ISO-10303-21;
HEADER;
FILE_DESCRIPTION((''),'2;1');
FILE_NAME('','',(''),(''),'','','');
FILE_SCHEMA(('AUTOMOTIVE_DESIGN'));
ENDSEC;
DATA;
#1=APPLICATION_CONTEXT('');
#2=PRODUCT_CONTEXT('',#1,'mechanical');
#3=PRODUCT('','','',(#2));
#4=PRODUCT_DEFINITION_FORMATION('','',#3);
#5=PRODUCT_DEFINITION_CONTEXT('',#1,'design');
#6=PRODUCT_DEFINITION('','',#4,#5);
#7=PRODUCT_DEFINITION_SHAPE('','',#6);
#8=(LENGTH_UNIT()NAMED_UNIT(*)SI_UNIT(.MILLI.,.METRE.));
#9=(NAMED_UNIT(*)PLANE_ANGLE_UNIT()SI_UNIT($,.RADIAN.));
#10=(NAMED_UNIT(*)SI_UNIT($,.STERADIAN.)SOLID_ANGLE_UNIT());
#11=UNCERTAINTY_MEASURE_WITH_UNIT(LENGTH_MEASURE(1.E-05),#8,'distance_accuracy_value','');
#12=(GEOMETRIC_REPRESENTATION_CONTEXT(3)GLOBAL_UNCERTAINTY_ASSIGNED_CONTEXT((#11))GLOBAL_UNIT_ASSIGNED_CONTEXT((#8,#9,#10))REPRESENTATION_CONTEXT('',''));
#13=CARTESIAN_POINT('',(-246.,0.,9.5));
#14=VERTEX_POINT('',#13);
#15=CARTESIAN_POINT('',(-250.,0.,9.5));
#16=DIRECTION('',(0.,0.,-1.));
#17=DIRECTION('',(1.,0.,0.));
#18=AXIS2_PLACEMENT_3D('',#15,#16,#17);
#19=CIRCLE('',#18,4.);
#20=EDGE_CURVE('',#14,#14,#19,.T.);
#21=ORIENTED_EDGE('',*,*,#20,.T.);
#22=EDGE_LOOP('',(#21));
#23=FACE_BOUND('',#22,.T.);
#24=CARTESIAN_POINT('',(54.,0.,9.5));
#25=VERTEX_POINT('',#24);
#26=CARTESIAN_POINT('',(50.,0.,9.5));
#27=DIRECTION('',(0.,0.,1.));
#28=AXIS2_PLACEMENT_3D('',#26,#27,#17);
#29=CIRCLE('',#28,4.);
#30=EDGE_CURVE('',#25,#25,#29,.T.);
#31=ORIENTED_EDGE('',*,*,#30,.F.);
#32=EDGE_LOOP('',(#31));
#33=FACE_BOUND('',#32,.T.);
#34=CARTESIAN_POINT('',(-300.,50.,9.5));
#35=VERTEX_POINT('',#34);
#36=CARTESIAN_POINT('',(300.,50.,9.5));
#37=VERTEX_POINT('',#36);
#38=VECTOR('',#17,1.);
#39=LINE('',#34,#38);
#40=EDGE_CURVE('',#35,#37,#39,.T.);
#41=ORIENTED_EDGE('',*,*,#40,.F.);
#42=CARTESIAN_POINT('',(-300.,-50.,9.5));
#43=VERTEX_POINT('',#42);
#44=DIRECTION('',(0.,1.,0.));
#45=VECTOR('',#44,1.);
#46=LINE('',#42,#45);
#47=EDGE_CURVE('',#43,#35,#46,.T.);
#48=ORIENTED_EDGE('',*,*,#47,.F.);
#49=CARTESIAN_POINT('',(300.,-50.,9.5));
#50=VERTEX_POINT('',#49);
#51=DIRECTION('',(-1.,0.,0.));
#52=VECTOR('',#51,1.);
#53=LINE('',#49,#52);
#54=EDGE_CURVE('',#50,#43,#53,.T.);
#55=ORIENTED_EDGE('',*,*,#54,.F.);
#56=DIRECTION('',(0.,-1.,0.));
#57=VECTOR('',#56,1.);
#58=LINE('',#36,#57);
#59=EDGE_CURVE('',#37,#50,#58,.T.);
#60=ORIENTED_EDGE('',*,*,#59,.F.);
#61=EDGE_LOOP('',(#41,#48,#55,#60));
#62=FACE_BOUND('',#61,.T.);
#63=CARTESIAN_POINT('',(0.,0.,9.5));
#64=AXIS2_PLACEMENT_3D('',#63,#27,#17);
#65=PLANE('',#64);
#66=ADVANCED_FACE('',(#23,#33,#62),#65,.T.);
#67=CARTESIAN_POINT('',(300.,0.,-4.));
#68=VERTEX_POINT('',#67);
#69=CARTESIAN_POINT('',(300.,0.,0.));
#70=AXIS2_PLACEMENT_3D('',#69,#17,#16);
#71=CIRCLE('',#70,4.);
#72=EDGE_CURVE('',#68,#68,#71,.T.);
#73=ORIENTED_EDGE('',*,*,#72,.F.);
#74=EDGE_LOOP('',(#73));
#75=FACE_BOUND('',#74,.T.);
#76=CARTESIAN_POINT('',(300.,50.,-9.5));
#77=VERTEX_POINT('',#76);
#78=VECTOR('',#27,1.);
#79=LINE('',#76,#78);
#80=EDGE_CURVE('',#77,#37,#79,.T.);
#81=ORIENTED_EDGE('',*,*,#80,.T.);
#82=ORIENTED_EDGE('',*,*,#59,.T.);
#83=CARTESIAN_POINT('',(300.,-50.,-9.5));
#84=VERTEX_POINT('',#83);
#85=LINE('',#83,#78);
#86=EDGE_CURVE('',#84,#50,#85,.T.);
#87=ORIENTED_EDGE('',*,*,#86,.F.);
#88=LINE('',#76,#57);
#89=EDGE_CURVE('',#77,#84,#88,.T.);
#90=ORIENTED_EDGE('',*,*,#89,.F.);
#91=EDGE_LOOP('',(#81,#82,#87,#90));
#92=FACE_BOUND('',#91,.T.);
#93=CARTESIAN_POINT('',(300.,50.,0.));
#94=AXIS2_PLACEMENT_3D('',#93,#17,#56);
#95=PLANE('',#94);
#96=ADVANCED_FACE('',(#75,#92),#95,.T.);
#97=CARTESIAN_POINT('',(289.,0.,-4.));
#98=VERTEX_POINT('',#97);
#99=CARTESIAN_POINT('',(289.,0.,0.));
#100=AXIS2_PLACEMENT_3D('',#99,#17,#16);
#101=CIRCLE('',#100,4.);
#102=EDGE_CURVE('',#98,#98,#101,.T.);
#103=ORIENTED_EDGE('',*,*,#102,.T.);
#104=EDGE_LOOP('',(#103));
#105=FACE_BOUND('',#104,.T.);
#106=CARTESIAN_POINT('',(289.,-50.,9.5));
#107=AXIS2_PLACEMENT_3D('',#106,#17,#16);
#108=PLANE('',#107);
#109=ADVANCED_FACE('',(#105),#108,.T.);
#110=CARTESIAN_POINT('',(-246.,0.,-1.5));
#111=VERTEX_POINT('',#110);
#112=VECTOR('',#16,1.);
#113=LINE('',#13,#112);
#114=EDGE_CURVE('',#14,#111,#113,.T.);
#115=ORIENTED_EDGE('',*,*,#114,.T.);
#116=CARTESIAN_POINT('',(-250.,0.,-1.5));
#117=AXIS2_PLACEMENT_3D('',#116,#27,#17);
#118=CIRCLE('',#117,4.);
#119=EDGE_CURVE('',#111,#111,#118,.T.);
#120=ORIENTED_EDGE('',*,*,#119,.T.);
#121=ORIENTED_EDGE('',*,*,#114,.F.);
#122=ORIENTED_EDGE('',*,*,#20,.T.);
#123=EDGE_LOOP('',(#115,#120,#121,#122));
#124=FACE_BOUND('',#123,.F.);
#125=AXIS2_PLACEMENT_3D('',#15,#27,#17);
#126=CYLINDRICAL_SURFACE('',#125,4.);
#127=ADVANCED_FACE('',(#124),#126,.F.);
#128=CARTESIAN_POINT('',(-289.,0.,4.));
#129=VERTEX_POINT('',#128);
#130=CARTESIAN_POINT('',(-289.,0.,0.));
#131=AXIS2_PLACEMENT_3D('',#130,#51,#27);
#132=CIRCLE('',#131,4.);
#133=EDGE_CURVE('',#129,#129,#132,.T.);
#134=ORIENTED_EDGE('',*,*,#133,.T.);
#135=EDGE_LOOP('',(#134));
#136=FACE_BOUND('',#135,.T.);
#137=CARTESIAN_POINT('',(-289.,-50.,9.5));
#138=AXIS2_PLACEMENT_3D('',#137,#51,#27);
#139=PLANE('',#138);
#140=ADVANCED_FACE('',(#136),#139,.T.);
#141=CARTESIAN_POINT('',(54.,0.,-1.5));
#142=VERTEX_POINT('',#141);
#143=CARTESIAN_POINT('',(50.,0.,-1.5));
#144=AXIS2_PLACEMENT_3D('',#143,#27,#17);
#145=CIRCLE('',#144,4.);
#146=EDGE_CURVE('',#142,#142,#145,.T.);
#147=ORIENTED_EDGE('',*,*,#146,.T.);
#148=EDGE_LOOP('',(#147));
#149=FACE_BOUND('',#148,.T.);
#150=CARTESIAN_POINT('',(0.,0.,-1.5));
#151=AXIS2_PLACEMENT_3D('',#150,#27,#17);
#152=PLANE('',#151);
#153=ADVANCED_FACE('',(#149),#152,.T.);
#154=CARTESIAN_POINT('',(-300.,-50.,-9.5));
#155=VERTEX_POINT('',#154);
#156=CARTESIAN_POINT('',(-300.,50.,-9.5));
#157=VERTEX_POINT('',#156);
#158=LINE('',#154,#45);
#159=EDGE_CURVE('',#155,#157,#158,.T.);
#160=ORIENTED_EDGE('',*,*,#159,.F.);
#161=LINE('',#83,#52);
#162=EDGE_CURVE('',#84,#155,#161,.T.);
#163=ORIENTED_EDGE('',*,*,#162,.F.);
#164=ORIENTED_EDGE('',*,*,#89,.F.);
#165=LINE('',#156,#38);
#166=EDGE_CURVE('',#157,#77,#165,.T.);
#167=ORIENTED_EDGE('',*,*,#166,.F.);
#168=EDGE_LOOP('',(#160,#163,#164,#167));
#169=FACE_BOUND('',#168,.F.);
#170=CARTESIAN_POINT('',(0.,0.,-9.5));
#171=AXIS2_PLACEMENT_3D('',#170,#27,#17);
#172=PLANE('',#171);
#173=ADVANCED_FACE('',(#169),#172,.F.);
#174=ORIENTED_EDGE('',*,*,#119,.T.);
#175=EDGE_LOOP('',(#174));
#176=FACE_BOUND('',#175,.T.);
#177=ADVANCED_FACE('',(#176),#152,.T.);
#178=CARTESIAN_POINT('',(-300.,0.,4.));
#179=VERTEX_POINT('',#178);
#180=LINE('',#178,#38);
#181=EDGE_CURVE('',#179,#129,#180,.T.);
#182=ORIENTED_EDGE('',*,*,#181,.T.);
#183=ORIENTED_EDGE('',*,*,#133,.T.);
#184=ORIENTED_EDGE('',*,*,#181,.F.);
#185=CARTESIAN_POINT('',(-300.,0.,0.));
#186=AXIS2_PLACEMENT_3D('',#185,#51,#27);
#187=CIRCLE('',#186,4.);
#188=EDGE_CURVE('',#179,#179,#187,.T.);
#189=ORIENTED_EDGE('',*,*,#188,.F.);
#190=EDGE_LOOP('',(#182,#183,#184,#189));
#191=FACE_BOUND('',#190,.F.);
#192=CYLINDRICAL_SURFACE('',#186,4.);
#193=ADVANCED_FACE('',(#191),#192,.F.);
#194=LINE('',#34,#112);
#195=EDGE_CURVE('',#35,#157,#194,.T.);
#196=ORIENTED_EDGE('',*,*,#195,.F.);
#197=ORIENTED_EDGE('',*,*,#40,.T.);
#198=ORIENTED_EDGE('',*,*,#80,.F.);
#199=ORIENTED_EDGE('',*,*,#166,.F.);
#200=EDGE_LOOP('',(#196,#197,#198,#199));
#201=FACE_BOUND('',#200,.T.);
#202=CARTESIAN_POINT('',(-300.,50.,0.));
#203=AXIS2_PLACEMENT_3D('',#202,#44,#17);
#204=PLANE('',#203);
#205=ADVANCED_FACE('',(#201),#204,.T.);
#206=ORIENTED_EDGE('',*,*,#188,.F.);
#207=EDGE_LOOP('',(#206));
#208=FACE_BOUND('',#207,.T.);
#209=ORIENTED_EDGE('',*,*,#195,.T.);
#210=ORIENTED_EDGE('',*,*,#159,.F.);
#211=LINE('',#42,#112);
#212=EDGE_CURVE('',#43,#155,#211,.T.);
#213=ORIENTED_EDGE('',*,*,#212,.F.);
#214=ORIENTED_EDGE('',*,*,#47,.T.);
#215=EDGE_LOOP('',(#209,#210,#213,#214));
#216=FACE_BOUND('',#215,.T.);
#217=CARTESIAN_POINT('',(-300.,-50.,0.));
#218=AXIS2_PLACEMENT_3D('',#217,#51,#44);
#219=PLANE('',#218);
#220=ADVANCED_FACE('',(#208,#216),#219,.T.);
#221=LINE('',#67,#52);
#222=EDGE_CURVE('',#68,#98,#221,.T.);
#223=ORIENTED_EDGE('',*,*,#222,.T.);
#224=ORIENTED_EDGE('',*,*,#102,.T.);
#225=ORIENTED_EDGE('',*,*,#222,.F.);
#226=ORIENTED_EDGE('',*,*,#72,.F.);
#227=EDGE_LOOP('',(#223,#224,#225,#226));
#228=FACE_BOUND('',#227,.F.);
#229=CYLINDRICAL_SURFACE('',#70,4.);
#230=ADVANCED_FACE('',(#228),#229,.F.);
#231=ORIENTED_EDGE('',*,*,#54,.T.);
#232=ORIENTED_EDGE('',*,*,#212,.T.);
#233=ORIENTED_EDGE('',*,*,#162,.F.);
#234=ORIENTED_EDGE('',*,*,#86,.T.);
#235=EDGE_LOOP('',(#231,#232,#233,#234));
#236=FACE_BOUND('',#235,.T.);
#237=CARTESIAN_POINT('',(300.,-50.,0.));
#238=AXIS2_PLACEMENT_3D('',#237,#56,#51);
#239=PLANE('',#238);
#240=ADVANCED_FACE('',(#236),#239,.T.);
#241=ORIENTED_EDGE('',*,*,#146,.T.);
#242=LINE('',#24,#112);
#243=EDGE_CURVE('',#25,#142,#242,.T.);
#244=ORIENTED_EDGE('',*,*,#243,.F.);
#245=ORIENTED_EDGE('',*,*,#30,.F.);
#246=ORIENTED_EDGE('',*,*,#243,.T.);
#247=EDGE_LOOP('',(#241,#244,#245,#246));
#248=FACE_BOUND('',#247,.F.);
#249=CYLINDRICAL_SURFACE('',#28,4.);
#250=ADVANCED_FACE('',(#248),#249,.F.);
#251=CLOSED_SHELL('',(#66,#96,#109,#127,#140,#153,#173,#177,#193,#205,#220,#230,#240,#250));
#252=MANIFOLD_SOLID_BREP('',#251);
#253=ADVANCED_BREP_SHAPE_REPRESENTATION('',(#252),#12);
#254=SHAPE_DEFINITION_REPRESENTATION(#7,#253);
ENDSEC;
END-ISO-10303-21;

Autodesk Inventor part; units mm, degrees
ref_plane "YZ Plane" through (0, 0, 0) normal (1, 0, 0) x (0, 1, 0)
ref_plane "XZ Plane" through (0, 0, 0) normal (0, 1, 0) x (-1, 0, 0)
ref_plane "XY Plane" through (0, 0, 0) normal (0, 0, 1) x (1, 0, 0)
sketch "Sketch1" plane through (0, 0, 0) normal (0, 0, 1) x (1, 0, 0)
  point P0 (0, 0)
sketch "Sketch2" plane through (0, 0, 0) normal (0, 0, 1) x (1, 0, 0)
  line L0 (300, -50) -> (-300, -50)
  line L1 (-300, -50) -> (-300, 50)
  line L2 (-300, 50) -> (300, 50)
  line L3 (300, 50) -> (300, -50)
  line L4 (300, -50) -> (-300, 50) construction
  line L5 (-300, -50) -> (300, 50) construction
  point P0 (0, 0)
  dimension "d0" = 600
  dimension "d1" = 100
extrude "Extrusion1" add sketch "Sketch2" along normal blind 9.5 and the other way blind 9.5
sketch "Sketch3" plane through (0, 0, 9.5) normal (0, 0, 1) x (1, 0, 0)
  line L0 (-300, 50) -> (-300, -50) projected
  line L1 (-300, 0) -> (-250, 0)
  line L2 (300, -50) -> (300, 50) projected
  line L3 (300, 0) -> (50, 0)
  circle A0 centre (-250, 0) radius 4
  circle A1 centre (50, 0) radius 4
  point P0 (0, 0)
  dimension "d6" = 50
  dimension "d7" = 250
  dimension "d8" = 8
  dimension "d9" = 8
extrude "Extrusion2" cut sketch "Sketch3" against normal blind 11
sketch "Sketch4" plane through (300, -50, 9.5) normal (1, 0, 0) x (0, 0, -1)
  circle A0 centre (9.5, 50) radius 4
  dimension "d12" = 8
extrude "Extrusion3" cut sketch "Sketch4" against normal blind 11
sketch "Sketch5" plane through (-300, -50, 9.5) normal (-1, 0, 0) x (0, 0, 1)
  circle A0 centre (-9.5, 50) radius 4
  dimension "d15" = 8
extrude "Extrusion4" cut sketch "Sketch5" against normal blind 11
properties part number "B"
